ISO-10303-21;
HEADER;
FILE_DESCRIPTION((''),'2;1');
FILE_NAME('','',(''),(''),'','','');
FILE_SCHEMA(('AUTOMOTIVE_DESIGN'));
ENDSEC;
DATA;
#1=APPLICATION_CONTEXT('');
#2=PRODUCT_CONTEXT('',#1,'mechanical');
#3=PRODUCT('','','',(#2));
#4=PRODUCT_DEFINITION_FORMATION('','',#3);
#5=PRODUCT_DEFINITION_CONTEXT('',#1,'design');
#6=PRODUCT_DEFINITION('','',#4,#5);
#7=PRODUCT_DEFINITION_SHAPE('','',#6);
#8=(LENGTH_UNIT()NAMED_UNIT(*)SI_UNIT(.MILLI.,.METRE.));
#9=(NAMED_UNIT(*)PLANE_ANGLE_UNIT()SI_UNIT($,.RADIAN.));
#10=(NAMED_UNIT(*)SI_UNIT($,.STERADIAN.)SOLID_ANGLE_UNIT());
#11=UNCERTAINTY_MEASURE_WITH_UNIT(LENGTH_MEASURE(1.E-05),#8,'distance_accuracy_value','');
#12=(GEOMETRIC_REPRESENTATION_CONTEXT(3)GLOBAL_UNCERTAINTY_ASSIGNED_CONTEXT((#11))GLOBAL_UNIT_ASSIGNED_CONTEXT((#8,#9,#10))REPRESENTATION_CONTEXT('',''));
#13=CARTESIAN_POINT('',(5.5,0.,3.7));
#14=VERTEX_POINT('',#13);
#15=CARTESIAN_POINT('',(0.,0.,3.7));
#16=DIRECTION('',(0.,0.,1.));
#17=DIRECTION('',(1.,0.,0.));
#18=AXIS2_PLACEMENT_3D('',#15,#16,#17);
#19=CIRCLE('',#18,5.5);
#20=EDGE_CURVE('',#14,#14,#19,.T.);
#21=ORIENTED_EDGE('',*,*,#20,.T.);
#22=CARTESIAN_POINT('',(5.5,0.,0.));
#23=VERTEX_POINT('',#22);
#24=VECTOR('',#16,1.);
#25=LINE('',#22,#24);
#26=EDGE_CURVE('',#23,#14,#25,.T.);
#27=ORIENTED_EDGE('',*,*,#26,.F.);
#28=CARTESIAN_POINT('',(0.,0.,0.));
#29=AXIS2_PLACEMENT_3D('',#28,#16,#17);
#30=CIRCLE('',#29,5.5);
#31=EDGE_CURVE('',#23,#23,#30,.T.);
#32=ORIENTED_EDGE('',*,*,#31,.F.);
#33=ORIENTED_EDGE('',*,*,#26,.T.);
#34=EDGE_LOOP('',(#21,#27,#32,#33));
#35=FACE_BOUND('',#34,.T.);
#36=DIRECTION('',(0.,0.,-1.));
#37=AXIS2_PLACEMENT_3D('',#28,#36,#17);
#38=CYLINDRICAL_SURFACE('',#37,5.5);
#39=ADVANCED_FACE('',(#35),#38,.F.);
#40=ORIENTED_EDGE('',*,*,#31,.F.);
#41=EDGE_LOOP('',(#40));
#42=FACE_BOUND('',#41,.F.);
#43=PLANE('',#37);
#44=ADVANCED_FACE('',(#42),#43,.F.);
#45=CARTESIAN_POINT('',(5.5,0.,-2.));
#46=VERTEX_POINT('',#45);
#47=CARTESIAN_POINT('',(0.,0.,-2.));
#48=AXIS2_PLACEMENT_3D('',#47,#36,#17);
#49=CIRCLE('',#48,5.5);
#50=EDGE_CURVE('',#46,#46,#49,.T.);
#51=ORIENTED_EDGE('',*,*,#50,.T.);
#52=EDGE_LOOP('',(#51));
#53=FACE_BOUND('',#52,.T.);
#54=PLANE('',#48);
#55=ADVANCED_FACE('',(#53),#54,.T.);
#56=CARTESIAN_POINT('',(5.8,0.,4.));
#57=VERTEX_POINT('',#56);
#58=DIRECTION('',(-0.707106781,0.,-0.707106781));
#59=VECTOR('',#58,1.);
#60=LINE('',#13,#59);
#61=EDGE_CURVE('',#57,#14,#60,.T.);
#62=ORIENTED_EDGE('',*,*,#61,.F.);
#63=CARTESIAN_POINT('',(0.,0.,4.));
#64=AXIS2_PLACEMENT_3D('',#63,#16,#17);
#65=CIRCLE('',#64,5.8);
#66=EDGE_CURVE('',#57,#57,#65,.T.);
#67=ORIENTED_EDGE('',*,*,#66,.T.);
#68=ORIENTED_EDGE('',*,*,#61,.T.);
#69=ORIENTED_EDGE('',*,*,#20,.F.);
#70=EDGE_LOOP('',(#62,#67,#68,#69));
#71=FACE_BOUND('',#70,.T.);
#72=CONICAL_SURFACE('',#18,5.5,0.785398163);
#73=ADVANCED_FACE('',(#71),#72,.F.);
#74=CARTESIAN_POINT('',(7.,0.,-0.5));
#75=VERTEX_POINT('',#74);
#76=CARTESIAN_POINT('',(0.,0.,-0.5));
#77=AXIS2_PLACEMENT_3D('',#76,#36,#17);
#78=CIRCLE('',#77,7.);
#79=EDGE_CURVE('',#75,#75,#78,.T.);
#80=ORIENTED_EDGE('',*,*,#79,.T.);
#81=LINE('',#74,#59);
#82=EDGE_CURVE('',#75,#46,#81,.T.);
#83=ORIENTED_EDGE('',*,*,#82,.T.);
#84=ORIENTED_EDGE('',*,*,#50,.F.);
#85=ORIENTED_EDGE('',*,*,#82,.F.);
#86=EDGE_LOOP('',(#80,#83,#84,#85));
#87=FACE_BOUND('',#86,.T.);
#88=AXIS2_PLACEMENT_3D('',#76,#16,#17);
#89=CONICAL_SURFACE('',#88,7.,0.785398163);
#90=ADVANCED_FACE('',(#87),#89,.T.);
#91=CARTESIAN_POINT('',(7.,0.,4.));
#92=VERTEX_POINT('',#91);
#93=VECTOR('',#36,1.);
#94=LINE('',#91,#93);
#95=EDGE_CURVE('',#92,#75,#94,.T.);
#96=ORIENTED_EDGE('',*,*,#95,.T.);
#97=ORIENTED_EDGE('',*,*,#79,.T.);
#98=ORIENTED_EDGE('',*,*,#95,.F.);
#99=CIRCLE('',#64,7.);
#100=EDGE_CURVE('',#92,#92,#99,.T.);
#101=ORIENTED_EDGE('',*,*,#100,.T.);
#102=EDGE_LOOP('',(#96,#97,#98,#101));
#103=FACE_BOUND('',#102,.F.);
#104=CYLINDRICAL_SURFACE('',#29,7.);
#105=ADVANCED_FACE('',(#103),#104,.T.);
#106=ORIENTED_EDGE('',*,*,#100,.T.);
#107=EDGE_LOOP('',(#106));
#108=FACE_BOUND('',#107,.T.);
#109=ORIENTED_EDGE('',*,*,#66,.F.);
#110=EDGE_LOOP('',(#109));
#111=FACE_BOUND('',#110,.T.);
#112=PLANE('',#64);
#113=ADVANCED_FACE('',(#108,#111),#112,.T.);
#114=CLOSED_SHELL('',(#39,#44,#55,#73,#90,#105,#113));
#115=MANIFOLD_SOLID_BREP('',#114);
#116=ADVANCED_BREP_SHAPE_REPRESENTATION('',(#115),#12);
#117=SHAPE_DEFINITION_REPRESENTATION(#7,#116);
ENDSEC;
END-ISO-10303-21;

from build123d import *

# Parameters (mm, degrees)
F0_R     = 7
F0_R_2   = 5.5
F1_DEPTH = 4
F2_R     = 7
F3_DEPTH = 2
F4_SIZE  = 1.5
F5_SIZE  = 0.3


with BuildPart() as f1:
    # F0 (on Top) → F1 (new body)
    with BuildSketch(Plane.XY):
        Circle(F0_R)
        Circle(F0_R_2, mode=Mode.SUBTRACT)
    extrude(amount=F1_DEPTH)

    # F2 (on face) → F3 (join)
    with BuildSketch(Plane(origin=(0, 0, 0), x_dir=(1, 0, 0), z_dir=(0, 0, -1))):
        Circle(F2_R)
    extrude(amount=F3_DEPTH)

    # F4
    f4_edges = [f1.edges().sort_by_distance(p)[0] for p in [
        (-7, 0, -2),
    ]]
    chamfer(f4_edges, length=F4_SIZE)

    # F5
    f5_edges = [f1.edges().sort_by_distance(p)[0] for p in [
        (-5.5, 0, 4),
    ]]
    chamfer(f5_edges, length=F5_SIZE)


solid = f1.part
